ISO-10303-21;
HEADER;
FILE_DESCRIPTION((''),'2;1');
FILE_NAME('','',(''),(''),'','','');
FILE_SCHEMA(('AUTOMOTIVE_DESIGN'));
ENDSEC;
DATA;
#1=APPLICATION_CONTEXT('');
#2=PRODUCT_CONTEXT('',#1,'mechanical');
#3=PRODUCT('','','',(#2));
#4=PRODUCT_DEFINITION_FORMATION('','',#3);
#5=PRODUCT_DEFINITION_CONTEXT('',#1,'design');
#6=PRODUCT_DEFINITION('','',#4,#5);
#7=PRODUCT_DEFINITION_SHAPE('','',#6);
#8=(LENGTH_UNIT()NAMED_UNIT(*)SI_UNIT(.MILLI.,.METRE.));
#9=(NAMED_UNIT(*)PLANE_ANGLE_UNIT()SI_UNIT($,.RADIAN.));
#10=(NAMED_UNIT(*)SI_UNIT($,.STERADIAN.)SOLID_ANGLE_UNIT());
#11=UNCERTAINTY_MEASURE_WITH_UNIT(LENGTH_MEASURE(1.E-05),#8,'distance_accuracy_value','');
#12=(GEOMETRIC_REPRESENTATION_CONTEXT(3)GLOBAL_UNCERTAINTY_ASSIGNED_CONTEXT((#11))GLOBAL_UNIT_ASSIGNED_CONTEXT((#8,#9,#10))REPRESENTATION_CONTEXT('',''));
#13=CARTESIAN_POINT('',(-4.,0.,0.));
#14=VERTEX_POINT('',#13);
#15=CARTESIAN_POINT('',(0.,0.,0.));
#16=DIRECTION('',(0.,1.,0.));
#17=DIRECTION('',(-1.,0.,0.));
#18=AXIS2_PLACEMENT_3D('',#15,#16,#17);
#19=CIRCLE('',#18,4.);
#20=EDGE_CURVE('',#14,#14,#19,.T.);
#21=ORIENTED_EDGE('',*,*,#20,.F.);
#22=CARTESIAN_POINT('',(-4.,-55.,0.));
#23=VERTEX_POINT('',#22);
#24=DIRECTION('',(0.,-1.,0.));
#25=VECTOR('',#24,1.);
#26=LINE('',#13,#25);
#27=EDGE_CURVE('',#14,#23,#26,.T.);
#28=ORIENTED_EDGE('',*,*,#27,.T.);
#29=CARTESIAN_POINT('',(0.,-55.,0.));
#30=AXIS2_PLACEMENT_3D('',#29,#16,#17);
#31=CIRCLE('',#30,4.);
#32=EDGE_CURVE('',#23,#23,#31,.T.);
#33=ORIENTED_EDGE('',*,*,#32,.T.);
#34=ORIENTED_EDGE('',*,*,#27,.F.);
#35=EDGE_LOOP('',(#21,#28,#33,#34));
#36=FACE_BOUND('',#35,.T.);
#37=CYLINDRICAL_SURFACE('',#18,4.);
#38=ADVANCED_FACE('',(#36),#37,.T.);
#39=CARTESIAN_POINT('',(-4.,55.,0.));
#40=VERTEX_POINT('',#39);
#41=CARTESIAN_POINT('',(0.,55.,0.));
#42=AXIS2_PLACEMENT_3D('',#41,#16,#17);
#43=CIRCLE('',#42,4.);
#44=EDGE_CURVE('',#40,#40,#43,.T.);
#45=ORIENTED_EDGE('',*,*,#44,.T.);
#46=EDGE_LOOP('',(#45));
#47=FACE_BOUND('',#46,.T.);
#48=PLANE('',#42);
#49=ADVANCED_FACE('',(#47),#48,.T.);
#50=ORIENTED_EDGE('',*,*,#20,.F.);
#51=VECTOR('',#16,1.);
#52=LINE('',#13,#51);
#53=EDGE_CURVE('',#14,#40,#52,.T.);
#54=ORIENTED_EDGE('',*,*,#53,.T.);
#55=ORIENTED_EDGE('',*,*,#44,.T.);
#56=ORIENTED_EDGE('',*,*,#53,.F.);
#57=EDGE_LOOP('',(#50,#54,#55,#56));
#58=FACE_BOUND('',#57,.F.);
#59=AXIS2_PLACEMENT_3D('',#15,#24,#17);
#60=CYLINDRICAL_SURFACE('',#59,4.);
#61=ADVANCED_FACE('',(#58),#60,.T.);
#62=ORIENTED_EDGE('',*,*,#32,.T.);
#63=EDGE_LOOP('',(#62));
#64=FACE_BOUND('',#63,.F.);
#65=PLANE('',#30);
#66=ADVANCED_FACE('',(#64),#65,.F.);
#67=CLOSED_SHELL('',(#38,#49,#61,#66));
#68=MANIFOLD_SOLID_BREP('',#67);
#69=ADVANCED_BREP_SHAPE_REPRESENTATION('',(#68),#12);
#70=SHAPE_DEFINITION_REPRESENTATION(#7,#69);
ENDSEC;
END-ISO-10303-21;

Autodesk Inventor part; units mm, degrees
ref_plane "YZ Plane" through (0, 0, 0) normal (1, 0, 0) x (0, 1, 0)
ref_plane "XZ Plane" through (0, 0, 0) normal (0, 1, 0) x (-1, 0, 0)
ref_plane "XY Plane" through (0, 0, 0) normal (0, 0, 1) x (1, 0, 0)
sketch "Sketch1" plane through (0, 0, 0) normal (0, 1, 0) x (-1, 0, 0)
  circle A0 centre (0, 0) radius 4
  dimension "d0" = 8
extrude "Extrusion1" add sketch "Sketch1" along normal mid plane 110
properties part number "eje8x110mm"
